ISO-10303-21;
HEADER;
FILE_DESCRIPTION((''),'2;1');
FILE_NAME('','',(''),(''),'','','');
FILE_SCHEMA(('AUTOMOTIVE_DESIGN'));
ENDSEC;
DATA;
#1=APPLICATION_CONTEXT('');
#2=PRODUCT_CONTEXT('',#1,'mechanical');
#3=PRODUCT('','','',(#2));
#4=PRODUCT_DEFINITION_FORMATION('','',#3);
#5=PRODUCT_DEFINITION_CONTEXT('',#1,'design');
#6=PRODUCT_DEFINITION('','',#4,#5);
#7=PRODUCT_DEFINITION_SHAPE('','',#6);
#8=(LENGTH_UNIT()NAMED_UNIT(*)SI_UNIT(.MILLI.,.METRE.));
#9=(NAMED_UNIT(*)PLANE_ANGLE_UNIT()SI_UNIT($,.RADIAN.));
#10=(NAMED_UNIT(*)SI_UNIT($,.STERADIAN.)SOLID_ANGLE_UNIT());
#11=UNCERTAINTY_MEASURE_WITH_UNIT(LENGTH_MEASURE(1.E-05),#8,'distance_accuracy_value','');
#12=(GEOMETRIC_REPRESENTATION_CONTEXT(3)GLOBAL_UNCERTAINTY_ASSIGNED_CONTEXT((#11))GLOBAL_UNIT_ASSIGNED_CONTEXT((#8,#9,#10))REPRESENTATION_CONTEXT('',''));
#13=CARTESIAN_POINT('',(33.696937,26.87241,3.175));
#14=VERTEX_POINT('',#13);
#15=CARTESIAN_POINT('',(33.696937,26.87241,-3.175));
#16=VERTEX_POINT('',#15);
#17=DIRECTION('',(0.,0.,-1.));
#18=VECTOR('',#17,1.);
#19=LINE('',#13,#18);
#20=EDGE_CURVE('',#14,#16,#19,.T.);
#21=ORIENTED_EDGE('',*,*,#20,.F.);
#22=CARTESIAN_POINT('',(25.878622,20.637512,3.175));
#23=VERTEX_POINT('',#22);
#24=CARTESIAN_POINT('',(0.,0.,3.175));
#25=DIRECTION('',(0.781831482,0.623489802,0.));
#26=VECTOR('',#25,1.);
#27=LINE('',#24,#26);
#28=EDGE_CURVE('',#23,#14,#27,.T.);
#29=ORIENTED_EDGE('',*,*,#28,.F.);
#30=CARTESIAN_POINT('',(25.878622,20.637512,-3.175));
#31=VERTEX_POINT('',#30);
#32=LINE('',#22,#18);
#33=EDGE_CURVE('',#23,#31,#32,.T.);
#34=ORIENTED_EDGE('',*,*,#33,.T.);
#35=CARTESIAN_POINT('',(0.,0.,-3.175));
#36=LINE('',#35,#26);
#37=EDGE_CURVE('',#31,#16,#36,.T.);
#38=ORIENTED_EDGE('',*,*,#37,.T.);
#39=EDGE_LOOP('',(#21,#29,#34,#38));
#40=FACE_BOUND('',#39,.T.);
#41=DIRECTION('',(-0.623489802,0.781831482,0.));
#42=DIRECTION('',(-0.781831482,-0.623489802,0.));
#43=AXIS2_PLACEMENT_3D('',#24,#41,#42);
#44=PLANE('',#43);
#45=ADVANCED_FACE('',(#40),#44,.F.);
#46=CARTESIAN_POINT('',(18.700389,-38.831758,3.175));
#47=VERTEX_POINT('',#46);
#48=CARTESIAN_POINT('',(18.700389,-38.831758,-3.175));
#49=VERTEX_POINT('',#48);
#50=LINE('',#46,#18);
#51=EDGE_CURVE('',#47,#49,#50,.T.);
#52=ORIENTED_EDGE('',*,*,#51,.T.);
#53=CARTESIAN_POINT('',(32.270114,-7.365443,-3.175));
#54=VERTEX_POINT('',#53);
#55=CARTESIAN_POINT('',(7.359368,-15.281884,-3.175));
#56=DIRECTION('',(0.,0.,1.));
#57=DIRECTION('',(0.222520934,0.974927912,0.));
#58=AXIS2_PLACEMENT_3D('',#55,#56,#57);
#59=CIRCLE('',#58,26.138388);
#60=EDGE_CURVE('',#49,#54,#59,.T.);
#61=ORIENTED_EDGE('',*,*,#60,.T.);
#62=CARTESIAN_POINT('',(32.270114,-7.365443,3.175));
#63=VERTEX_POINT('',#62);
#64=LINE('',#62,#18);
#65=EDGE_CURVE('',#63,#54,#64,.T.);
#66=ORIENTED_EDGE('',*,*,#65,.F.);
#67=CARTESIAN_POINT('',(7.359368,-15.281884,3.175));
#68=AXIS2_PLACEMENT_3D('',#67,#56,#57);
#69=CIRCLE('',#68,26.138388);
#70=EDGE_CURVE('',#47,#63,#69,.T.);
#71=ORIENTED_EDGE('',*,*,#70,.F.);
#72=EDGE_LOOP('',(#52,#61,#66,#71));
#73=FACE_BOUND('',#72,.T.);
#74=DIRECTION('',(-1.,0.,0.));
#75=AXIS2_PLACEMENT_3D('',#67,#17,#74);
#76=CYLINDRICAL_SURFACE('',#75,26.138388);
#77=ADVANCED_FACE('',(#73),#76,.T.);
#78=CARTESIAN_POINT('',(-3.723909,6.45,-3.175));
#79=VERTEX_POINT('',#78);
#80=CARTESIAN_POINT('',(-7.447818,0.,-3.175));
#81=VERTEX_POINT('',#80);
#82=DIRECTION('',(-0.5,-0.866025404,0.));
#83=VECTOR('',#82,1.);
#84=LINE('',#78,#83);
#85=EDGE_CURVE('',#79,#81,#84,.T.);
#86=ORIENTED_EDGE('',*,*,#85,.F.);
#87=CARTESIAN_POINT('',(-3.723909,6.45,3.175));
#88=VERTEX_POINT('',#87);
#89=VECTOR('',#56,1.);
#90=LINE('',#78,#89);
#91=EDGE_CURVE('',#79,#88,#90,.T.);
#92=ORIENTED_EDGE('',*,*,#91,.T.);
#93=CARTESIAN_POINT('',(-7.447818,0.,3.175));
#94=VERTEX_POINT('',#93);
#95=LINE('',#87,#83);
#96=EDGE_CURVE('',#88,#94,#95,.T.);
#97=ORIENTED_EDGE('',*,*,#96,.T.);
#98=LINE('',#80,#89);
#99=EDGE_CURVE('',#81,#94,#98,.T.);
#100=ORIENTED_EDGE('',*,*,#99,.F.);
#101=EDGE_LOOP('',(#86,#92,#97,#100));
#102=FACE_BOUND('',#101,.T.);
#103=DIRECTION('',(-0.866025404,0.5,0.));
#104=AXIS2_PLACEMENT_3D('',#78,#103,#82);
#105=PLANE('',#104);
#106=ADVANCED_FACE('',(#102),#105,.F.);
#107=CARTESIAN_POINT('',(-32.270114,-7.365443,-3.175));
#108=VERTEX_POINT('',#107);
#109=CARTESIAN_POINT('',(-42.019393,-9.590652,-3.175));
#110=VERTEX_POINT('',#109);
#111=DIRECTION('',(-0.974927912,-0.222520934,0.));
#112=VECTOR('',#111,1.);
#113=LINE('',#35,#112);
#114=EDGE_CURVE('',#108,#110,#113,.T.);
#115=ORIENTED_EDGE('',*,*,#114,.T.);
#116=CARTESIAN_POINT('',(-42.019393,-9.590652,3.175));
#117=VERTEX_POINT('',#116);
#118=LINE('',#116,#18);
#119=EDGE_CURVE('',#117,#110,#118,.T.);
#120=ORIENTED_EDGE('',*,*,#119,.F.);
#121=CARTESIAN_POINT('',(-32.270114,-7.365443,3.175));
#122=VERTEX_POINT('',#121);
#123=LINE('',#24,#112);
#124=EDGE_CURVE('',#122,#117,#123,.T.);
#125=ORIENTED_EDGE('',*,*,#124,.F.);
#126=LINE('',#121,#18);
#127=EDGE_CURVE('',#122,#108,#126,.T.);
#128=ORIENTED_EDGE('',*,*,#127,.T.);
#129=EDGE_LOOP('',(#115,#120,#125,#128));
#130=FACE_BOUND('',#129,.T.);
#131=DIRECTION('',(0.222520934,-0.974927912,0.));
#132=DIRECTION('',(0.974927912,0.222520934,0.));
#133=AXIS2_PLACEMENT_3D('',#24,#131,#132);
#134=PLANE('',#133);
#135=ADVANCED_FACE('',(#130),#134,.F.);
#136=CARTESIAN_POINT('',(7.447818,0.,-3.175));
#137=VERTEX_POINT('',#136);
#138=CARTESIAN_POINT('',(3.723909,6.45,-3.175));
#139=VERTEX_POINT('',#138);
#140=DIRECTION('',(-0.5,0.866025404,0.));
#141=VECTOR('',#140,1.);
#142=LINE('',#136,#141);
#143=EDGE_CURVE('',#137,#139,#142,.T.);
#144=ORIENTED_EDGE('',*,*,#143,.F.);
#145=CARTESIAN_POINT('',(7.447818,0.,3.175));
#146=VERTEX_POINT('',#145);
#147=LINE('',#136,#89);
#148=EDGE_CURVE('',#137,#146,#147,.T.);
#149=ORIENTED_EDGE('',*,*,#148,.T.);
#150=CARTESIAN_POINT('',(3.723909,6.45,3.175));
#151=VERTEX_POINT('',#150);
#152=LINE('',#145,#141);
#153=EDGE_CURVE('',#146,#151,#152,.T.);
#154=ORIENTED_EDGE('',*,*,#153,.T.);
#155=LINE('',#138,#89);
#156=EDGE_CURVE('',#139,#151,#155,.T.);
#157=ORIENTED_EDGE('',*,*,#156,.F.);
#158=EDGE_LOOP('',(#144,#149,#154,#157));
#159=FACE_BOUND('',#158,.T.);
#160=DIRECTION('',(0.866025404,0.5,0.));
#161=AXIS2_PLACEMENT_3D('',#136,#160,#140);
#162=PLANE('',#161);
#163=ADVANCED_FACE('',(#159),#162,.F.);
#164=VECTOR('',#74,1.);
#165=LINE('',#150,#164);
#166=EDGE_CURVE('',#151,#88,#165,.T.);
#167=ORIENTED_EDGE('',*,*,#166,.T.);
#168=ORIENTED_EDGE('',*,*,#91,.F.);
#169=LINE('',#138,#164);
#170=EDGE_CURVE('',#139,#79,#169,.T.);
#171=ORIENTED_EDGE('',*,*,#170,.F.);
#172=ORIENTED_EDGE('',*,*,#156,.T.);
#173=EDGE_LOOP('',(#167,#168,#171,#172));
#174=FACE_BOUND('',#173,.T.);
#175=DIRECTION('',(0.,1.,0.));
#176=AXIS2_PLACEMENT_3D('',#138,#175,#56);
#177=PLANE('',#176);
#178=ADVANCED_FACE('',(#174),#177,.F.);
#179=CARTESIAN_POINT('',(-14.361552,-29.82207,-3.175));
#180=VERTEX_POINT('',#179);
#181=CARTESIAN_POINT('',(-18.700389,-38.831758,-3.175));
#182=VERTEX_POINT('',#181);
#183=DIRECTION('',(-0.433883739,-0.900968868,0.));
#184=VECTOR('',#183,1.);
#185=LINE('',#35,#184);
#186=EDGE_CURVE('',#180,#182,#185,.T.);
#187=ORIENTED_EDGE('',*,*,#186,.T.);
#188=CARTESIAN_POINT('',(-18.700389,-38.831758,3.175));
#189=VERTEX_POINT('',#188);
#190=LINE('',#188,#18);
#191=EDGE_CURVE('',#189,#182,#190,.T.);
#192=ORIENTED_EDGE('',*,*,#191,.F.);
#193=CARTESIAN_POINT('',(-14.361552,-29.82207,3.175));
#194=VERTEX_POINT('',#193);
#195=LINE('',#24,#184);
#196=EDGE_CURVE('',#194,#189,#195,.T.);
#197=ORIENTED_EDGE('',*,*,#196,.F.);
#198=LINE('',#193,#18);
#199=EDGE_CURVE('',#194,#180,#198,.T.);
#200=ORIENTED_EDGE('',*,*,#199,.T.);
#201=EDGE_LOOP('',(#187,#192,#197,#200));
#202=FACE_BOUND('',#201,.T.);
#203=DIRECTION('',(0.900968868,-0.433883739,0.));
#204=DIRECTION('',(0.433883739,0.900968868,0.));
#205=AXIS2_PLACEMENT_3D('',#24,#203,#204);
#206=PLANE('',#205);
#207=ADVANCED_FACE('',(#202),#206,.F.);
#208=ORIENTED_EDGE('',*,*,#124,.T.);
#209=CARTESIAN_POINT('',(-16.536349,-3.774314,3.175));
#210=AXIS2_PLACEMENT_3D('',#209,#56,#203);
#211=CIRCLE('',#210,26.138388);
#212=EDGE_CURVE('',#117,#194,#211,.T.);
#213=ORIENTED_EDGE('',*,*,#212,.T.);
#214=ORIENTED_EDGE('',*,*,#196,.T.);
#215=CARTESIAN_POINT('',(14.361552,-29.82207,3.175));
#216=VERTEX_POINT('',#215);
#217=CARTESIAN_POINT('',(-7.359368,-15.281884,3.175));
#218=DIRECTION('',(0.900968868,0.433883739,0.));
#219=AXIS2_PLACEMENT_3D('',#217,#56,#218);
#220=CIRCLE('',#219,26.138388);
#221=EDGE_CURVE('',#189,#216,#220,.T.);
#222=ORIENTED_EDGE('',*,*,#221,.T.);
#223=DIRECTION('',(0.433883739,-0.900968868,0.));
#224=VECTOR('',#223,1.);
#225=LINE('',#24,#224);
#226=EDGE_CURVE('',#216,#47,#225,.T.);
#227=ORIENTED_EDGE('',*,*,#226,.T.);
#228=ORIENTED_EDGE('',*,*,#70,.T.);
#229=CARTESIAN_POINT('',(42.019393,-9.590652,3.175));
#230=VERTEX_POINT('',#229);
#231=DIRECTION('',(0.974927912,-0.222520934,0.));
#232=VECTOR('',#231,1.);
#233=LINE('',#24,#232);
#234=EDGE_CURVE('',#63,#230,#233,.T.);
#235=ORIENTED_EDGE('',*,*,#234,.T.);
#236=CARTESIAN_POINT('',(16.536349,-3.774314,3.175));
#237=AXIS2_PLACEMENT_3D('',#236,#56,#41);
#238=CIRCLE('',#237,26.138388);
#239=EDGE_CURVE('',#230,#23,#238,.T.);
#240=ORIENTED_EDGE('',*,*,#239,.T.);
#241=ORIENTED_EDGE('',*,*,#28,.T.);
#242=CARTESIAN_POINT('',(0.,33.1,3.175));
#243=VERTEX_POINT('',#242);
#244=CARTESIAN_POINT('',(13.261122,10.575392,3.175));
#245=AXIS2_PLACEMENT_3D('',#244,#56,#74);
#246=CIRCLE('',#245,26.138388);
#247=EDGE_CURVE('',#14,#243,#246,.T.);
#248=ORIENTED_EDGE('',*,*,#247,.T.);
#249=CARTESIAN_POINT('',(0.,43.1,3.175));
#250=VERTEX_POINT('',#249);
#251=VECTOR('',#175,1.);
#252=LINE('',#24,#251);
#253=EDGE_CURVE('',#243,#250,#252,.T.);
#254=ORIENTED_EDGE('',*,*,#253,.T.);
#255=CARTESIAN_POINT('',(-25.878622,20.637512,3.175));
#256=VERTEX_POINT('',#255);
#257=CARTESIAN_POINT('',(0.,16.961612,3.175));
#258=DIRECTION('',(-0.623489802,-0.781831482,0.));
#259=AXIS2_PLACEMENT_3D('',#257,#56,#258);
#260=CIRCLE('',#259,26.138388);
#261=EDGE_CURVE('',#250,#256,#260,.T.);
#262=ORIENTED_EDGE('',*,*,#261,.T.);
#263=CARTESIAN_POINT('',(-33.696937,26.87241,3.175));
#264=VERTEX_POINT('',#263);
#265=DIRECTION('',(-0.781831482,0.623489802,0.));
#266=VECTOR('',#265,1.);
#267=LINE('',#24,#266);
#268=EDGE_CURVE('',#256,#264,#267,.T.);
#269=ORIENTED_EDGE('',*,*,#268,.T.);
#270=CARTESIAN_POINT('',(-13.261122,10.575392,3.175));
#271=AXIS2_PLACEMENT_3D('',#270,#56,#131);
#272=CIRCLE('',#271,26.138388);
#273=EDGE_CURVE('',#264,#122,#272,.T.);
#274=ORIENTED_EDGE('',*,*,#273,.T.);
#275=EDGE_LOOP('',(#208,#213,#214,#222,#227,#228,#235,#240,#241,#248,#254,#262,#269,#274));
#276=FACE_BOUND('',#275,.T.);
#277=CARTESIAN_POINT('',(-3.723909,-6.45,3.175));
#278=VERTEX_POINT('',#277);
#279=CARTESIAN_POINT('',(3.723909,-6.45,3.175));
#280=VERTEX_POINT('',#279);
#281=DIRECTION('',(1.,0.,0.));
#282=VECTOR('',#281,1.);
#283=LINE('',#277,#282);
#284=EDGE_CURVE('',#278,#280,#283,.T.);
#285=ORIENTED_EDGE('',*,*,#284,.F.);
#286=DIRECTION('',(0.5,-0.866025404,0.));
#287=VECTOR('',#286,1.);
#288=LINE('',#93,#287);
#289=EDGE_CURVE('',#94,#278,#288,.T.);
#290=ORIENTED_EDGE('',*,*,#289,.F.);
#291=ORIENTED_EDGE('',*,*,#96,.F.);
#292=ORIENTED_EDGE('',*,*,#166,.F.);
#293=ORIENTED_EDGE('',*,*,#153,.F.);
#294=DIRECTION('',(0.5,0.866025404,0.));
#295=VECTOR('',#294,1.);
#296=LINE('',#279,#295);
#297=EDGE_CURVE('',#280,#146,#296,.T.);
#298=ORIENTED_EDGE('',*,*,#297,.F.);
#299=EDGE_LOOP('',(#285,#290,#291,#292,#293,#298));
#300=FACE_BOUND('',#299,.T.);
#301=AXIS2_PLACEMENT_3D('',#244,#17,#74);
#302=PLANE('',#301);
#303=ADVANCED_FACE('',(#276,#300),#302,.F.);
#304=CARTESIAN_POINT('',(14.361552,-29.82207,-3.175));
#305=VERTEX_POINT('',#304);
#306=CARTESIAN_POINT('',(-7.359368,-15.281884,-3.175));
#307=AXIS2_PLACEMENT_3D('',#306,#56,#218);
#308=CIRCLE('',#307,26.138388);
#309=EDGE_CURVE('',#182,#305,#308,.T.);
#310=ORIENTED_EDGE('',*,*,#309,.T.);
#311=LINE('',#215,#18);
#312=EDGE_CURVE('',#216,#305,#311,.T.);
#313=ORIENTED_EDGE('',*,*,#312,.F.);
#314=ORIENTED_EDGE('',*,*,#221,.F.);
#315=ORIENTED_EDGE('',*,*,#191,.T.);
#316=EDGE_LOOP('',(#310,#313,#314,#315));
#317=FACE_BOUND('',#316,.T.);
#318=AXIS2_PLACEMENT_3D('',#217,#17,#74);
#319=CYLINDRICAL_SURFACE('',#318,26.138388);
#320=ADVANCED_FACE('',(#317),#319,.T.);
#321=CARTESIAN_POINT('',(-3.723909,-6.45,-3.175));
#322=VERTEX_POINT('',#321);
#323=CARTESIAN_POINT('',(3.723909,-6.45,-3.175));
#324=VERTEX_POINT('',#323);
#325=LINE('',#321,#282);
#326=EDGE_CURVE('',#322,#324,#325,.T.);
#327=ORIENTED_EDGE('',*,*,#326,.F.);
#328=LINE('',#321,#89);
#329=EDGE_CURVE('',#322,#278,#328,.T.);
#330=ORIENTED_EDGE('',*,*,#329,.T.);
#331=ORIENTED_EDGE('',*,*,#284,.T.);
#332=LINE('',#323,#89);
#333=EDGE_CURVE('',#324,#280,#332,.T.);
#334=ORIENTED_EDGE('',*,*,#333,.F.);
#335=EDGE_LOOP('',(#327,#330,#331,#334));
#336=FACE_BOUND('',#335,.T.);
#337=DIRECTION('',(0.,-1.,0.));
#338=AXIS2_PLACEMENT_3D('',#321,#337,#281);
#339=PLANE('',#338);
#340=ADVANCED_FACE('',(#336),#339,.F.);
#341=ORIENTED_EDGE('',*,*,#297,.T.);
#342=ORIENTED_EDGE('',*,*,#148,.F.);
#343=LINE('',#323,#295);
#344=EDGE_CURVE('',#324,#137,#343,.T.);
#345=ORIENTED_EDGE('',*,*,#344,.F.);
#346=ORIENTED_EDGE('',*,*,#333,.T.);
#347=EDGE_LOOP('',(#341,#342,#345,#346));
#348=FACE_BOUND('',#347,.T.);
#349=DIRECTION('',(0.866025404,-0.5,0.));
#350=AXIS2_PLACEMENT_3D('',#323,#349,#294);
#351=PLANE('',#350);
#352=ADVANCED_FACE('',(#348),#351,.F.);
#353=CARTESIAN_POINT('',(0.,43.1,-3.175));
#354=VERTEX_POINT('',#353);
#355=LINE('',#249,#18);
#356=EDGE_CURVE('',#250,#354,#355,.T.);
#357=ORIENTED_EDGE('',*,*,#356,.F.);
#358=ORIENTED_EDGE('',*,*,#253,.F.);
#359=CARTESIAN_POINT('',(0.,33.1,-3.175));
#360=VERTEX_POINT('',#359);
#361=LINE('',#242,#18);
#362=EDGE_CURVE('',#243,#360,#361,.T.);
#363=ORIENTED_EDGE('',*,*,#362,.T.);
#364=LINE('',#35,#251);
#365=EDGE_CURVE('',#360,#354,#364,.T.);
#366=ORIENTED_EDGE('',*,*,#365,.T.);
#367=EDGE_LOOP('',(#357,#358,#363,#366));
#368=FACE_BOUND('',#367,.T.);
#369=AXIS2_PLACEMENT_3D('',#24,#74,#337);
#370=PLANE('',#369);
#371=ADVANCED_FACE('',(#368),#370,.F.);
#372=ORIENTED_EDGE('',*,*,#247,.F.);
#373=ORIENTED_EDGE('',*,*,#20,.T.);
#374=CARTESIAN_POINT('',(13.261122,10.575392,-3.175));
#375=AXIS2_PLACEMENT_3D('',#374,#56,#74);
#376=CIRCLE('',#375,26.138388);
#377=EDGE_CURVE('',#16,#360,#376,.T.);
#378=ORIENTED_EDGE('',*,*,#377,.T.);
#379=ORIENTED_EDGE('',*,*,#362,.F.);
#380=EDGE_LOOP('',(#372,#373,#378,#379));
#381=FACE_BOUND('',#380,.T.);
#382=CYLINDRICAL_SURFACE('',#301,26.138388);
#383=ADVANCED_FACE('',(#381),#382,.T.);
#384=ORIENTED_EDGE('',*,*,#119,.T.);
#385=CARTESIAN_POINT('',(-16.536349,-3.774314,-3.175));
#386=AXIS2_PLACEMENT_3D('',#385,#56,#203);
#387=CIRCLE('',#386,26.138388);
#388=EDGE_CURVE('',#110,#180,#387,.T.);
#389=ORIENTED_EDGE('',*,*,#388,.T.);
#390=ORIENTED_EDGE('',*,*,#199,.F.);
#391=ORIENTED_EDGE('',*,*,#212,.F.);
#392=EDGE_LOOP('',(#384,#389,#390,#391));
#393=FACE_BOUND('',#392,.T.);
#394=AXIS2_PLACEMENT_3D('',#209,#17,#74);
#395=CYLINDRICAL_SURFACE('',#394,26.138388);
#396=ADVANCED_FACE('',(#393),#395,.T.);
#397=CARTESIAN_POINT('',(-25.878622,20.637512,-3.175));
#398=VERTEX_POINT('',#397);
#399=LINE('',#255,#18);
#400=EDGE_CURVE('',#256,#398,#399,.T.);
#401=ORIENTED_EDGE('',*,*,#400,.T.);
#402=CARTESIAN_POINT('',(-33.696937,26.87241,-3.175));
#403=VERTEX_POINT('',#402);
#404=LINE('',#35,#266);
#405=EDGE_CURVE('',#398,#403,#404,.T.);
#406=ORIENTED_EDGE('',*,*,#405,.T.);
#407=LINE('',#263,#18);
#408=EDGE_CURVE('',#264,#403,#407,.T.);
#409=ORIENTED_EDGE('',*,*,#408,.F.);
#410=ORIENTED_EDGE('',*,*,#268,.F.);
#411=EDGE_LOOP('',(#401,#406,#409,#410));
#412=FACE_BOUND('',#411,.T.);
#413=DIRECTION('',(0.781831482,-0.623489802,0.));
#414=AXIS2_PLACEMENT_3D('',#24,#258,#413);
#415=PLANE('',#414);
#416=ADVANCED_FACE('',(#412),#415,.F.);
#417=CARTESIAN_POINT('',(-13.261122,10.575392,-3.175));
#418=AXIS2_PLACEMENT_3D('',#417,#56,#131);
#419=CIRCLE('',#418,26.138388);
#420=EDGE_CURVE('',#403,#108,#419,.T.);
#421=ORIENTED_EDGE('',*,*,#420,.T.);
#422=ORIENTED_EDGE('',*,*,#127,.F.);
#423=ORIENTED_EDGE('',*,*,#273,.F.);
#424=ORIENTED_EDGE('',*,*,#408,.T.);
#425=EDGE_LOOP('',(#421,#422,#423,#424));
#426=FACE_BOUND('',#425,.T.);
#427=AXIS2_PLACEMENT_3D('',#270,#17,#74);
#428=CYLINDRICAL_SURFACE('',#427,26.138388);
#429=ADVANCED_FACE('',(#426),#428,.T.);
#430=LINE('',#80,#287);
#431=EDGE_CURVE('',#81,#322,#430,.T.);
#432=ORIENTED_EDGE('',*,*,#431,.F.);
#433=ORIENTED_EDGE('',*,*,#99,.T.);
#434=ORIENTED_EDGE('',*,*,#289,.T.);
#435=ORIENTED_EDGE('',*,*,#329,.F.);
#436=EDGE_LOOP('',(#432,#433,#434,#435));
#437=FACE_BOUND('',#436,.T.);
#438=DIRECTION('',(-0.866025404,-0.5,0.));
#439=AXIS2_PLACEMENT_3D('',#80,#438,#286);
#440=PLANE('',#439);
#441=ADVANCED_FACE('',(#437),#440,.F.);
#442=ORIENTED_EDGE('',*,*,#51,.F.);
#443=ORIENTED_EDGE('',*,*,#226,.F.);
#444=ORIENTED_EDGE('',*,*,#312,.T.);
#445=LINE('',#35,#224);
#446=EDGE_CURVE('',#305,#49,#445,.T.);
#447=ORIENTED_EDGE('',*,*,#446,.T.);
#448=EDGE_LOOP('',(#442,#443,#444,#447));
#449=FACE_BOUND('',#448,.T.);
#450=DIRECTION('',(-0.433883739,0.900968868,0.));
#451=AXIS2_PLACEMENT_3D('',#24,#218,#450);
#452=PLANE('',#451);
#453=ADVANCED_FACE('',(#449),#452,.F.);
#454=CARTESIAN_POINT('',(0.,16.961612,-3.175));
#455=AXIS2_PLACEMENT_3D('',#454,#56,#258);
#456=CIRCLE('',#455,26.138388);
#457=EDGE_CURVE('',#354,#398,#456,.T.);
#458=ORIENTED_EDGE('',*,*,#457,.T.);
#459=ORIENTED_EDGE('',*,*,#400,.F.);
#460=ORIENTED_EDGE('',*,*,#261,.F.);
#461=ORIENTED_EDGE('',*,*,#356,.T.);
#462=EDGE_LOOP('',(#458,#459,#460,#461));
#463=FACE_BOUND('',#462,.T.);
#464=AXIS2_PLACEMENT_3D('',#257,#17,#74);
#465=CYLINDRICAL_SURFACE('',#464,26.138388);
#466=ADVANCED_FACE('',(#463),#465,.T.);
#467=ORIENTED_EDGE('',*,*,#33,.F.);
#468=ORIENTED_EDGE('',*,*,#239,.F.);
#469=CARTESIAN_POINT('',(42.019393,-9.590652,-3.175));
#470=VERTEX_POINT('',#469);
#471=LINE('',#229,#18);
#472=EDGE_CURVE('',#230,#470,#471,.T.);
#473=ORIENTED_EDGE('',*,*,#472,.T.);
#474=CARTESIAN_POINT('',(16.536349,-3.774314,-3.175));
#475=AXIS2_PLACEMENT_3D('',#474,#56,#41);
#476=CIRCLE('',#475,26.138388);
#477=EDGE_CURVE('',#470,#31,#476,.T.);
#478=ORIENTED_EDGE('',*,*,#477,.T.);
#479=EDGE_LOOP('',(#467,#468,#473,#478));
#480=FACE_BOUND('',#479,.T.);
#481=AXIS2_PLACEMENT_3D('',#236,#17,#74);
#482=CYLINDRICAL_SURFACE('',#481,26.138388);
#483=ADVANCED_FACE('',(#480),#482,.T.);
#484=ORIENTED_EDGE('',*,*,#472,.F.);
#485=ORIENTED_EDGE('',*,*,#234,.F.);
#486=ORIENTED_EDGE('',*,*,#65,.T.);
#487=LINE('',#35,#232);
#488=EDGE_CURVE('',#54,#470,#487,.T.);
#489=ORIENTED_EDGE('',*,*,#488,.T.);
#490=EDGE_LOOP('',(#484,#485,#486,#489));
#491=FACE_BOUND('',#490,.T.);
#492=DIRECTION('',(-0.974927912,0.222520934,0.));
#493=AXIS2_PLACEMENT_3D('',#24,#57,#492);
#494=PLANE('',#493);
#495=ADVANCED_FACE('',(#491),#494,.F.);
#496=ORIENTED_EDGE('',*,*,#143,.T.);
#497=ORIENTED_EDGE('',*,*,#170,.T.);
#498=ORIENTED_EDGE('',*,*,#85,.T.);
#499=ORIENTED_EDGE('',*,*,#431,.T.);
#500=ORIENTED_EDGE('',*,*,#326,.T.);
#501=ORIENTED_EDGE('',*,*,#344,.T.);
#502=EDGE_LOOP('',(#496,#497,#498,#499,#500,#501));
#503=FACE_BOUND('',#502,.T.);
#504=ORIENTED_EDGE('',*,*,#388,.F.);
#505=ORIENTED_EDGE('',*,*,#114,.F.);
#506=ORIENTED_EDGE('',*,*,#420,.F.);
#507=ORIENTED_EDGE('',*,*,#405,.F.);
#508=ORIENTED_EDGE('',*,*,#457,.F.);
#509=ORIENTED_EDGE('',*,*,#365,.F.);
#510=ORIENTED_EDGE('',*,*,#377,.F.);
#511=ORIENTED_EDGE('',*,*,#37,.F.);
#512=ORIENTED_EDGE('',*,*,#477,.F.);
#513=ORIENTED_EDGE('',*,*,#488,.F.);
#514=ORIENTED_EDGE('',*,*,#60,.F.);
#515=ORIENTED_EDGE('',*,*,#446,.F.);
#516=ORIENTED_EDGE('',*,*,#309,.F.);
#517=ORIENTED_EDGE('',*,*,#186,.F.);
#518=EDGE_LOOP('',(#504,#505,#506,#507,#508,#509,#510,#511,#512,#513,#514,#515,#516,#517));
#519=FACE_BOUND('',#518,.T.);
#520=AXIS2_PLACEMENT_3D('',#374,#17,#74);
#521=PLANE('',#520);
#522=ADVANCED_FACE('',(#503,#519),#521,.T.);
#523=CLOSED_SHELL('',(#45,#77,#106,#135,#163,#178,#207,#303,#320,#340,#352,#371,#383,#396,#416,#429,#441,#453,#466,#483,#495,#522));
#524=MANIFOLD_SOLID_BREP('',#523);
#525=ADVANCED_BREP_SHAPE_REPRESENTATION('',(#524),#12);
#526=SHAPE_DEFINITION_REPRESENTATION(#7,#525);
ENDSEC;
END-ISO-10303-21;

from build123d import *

# Parameters (mm, degrees)
BOSS_EXTRUDE1_DEPTH = 3.175
CIRPATTERN1_COUNT   = 7
CUT_EXTRUDE1_DEPTH  = 61.984142822


with BuildPart() as part:
    # Sketch1 → Boss-Extrude1 (new, symmetric)
    with BuildSketch(Plane.XY):
        with BuildLine():
            Line((0, 0), (0, 33.1))
            ThreePointArc((0, 33.1), (18.011361269, 36.278515567), (33.696936894, 26.87241046))
            Line((33.696936894, 26.87241046), (0, 0))
        make_face()
    boss_extrude1 = extrude(amount=BOSS_EXTRUDE1_DEPTH, both=True)

    # CirPattern1: Boss-Extrude1 ×7 about axis
    cirpattern1_axis = Axis((0, 0, 0), (0, 0, 1))
    for i in range(1, CIRPATTERN1_COUNT):
        add(boss_extrude1.rotate(cirpattern1_axis, i * 360 / CIRPATTERN1_COUNT))

    # Sketch2 → Cut-Extrude1 (cut, through all)
    with BuildSketch(Plane.XY.offset(3.175)):
        Polygon((7.447818473, 0), (3.723909236, 6.45), (-3.723909236, 6.45), (-7.447818473, 0), (-3.723909236, -6.45), (3.723909236, -6.45), align=None)
    extrude(amount=-CUT_EXTRUDE1_DEPTH, mode=Mode.SUBTRACT)


solid = part.part
